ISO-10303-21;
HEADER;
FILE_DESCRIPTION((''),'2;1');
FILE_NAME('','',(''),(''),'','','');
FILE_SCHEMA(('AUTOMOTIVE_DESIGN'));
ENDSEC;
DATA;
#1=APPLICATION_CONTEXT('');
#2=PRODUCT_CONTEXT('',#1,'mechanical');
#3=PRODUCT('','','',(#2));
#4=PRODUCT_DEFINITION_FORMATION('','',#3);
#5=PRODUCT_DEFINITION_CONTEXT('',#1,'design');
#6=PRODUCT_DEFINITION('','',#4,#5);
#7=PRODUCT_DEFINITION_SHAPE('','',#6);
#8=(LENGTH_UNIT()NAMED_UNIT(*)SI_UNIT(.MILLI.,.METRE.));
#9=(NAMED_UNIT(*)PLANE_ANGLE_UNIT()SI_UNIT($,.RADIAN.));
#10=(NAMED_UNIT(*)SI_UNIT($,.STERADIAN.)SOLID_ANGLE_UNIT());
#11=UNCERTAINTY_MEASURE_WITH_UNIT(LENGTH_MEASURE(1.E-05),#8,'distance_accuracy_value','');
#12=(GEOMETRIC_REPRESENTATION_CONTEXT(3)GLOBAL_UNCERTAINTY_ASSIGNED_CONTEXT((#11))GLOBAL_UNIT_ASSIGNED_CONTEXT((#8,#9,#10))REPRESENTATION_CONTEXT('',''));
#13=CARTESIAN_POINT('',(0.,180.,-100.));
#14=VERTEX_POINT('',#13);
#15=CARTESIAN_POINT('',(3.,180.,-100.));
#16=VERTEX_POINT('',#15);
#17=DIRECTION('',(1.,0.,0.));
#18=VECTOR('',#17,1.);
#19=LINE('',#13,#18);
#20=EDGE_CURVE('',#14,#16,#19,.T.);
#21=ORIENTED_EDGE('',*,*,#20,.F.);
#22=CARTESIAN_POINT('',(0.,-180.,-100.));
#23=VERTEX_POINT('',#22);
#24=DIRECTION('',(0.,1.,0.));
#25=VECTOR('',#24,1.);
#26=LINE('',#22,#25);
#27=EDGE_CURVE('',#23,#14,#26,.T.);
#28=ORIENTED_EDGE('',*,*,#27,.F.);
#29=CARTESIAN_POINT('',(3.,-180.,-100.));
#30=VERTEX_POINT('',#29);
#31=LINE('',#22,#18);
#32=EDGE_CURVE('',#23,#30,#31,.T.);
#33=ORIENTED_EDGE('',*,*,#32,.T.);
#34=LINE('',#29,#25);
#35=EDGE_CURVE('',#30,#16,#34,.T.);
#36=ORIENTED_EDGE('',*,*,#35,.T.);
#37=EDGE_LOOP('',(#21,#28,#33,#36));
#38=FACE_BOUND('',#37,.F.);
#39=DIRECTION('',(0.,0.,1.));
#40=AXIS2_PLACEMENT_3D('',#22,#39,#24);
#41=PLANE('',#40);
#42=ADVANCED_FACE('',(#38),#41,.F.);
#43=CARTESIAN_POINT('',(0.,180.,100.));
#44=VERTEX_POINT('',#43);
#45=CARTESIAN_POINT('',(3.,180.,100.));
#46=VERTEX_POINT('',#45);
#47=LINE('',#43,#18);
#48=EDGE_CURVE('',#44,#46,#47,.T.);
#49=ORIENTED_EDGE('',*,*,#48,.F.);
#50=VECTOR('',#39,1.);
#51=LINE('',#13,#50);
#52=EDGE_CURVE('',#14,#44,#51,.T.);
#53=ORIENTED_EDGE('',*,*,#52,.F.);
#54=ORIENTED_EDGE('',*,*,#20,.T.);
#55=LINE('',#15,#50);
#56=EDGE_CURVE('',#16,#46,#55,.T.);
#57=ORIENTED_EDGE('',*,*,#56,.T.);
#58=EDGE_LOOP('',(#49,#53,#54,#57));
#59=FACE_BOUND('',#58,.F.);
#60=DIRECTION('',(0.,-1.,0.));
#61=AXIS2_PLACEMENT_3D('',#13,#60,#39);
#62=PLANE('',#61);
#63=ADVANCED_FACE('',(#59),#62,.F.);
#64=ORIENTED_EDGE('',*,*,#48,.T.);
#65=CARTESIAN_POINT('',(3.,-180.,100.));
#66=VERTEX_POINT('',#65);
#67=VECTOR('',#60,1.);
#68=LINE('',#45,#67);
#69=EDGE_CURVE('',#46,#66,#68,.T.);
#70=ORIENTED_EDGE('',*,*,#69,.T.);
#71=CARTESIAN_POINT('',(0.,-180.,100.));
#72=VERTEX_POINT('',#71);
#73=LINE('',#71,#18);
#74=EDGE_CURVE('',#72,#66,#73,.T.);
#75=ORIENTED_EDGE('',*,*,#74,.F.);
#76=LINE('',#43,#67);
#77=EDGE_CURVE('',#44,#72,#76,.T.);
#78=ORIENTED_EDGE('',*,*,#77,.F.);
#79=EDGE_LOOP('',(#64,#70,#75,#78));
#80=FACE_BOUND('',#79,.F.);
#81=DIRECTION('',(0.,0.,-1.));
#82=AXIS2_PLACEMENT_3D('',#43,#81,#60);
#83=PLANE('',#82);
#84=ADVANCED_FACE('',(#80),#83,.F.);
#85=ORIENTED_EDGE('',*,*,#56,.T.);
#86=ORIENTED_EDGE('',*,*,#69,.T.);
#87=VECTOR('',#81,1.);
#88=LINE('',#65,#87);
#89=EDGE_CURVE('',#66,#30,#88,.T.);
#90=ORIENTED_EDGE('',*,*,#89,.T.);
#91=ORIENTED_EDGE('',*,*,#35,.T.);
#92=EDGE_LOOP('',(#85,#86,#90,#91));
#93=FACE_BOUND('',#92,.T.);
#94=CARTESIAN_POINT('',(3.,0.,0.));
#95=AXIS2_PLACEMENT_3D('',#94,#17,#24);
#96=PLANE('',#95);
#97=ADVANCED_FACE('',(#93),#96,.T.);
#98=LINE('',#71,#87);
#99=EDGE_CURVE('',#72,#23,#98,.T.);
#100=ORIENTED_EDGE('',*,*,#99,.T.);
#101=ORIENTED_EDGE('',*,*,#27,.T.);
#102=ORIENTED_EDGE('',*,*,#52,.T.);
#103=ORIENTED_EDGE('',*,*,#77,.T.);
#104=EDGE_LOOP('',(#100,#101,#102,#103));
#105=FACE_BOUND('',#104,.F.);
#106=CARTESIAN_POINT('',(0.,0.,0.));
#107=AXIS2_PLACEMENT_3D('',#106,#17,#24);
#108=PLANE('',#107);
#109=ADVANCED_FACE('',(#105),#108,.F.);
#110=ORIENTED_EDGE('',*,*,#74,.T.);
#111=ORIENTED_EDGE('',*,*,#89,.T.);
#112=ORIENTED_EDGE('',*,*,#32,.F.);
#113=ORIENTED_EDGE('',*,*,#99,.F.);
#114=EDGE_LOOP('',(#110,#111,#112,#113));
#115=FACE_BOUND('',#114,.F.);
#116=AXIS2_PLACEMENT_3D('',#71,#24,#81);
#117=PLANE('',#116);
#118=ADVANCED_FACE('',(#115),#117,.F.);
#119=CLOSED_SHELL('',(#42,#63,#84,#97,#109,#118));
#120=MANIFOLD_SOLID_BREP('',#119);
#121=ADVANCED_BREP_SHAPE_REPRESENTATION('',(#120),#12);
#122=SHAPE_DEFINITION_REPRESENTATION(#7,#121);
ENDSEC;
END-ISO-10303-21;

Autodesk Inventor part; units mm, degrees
ref_plane "YZ Plane" through (0, 0, 0) normal (1, 0, 0) x (0, 1, 0)
ref_plane "XZ Plane" through (0, 0, 0) normal (0, 1, 0) x (-1, 0, 0)
ref_plane "XY Plane" through (0, 0, 0) normal (0, 0, 1) x (1, 0, 0)
sketch "Sketch1" plane through (0, 0, 0) normal (1, 0, 0) x (0, 1, 0)
  line L0 (180, 100) -> (-180, 100)
  line L1 (-180, 100) -> (-180, -100)
  line L2 (-180, -100) -> (180, -100)
  line L3 (180, -100) -> (180, 100)
  line L4 (180, 100) -> (-180, -100) construction
  line L5 (-180, 100) -> (180, -100) construction
  point P0 (0, 0)
  dimension "d0" = 360
  dimension "d1" = 200
extrude "Extrusion1" add sketch "Sketch1" along normal blind 3
properties part number "rightside"
